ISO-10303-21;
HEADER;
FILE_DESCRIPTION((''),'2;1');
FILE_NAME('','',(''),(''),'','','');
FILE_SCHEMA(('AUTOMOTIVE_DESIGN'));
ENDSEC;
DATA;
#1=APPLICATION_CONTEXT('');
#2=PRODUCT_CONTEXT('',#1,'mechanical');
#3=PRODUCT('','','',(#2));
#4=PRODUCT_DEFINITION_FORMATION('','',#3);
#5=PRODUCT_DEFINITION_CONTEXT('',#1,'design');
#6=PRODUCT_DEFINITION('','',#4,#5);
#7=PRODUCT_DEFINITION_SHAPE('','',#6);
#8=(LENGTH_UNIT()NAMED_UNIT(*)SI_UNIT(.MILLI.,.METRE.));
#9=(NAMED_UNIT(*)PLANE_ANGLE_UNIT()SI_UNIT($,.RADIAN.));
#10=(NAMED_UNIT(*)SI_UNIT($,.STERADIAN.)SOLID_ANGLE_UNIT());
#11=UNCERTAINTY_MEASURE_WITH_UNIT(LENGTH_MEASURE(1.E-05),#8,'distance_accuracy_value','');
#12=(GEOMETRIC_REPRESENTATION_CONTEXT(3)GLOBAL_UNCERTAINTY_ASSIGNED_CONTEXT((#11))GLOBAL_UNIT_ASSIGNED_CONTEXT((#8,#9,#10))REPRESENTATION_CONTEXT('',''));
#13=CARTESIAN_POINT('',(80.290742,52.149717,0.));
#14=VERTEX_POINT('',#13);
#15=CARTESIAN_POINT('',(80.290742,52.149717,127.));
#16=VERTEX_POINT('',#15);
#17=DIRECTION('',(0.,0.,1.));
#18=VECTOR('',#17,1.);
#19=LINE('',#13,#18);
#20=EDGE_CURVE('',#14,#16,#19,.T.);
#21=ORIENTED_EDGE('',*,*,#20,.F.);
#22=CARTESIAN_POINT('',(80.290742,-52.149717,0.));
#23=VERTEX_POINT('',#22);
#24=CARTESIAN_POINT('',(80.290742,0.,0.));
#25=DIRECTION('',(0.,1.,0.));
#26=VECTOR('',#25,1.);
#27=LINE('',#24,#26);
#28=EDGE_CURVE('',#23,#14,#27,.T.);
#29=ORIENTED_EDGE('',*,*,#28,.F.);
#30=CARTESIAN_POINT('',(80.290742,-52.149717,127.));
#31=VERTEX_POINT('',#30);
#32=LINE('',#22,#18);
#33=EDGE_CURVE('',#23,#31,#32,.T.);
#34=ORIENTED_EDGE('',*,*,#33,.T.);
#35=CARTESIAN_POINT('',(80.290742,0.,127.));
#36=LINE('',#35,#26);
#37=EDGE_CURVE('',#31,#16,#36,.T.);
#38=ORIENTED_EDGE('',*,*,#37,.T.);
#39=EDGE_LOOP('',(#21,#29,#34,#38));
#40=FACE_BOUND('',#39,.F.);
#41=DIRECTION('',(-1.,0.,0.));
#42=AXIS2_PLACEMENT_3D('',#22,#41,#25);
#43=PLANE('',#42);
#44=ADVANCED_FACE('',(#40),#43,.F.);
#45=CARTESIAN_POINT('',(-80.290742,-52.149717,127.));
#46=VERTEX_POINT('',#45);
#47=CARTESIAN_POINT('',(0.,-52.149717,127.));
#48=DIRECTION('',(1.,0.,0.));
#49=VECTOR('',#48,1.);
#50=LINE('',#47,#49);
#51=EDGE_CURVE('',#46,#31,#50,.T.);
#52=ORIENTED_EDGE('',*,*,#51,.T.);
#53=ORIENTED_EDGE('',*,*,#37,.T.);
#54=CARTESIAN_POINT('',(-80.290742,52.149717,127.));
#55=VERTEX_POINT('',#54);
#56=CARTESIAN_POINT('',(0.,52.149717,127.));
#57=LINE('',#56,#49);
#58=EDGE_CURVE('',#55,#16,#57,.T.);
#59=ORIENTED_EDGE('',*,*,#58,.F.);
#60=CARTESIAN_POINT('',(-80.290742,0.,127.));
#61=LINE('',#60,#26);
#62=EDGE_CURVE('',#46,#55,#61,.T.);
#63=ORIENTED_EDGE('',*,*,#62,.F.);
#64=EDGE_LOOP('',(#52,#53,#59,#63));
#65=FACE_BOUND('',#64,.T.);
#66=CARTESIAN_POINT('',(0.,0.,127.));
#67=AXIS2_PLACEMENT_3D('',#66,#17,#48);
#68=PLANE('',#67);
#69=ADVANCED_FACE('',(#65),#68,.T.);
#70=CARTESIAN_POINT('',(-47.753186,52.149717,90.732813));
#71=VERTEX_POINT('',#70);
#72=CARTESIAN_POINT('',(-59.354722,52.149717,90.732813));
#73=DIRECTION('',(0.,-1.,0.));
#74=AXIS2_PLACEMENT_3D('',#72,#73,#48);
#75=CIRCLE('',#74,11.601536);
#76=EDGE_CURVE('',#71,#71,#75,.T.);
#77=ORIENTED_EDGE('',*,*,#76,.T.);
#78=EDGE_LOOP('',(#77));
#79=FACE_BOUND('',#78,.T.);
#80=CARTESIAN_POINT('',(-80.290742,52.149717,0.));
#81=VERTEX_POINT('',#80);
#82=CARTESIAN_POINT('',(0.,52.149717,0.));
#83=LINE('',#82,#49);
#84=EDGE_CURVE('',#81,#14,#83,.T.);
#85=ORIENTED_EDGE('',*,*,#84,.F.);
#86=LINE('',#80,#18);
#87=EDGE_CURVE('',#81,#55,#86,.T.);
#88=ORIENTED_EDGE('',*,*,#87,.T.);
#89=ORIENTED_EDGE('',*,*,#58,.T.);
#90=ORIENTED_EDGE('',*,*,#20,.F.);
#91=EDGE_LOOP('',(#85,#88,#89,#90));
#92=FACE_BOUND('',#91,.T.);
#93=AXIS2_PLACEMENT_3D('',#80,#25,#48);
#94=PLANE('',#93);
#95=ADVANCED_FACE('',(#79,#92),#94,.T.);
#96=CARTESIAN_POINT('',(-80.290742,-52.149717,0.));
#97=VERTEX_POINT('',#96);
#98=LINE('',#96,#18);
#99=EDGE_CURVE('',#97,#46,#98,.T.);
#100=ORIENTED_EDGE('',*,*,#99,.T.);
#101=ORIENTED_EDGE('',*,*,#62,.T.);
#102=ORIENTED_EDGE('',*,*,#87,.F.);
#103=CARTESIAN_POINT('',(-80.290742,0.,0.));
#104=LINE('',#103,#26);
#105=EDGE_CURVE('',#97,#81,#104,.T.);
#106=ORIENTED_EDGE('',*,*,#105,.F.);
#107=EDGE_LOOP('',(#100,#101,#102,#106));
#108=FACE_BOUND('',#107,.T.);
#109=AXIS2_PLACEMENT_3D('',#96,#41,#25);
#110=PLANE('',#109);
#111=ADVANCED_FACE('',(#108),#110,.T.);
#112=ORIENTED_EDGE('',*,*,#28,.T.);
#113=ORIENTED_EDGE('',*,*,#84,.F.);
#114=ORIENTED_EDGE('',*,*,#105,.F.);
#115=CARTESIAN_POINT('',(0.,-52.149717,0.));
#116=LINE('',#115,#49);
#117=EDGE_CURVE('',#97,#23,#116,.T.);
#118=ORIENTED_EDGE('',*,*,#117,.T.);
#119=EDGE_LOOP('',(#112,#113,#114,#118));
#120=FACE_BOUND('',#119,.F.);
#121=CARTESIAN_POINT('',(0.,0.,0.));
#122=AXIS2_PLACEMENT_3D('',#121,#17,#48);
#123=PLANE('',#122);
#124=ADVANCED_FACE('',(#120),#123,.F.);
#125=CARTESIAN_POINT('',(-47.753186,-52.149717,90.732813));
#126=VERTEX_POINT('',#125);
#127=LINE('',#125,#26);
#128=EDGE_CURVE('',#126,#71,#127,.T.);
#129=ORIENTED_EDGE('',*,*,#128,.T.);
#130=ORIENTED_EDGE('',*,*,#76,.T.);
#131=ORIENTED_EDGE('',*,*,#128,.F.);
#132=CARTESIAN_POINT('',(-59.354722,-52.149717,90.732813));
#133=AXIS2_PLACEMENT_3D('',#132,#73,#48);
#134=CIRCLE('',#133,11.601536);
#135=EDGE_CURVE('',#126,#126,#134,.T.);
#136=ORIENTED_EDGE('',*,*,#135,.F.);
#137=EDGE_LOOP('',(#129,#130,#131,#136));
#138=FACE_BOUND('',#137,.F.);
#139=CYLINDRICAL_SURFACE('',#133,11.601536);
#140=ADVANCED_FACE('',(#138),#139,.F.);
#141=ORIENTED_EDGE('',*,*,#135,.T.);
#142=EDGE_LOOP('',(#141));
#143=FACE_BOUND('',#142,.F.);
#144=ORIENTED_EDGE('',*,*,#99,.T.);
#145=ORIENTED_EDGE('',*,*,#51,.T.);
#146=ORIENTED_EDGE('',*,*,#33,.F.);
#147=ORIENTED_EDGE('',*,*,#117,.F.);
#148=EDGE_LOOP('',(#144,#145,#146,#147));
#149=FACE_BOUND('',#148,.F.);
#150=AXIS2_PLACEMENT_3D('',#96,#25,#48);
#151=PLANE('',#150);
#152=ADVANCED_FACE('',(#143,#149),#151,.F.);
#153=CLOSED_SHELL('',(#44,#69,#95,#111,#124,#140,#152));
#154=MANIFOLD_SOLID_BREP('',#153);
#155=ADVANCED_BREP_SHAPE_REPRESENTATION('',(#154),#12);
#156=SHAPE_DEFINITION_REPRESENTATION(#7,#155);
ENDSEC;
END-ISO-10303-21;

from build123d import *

# Parameters (mm, degrees)
F0_W     = 160.581484
F0_H     = 104.299434
F1_DEPTH = 127
F2_R     = 11.601536
F3_DEPTH = 163.322


with BuildPart() as f1:
    # F0 (on Top) → F1 (new body)
    with BuildSketch(Plane.XY):
        Rectangle(F0_W, F0_H)
    extrude(amount=F1_DEPTH)

    # F2 (on face) → F3 (cut)
    with BuildSketch(Plane.XZ.offset(52.149717)):
        with Locations((-59.354722, 90.732813)):
            Circle(F2_R)
    extrude(amount=-F3_DEPTH, mode=Mode.SUBTRACT)


solid = f1.part
